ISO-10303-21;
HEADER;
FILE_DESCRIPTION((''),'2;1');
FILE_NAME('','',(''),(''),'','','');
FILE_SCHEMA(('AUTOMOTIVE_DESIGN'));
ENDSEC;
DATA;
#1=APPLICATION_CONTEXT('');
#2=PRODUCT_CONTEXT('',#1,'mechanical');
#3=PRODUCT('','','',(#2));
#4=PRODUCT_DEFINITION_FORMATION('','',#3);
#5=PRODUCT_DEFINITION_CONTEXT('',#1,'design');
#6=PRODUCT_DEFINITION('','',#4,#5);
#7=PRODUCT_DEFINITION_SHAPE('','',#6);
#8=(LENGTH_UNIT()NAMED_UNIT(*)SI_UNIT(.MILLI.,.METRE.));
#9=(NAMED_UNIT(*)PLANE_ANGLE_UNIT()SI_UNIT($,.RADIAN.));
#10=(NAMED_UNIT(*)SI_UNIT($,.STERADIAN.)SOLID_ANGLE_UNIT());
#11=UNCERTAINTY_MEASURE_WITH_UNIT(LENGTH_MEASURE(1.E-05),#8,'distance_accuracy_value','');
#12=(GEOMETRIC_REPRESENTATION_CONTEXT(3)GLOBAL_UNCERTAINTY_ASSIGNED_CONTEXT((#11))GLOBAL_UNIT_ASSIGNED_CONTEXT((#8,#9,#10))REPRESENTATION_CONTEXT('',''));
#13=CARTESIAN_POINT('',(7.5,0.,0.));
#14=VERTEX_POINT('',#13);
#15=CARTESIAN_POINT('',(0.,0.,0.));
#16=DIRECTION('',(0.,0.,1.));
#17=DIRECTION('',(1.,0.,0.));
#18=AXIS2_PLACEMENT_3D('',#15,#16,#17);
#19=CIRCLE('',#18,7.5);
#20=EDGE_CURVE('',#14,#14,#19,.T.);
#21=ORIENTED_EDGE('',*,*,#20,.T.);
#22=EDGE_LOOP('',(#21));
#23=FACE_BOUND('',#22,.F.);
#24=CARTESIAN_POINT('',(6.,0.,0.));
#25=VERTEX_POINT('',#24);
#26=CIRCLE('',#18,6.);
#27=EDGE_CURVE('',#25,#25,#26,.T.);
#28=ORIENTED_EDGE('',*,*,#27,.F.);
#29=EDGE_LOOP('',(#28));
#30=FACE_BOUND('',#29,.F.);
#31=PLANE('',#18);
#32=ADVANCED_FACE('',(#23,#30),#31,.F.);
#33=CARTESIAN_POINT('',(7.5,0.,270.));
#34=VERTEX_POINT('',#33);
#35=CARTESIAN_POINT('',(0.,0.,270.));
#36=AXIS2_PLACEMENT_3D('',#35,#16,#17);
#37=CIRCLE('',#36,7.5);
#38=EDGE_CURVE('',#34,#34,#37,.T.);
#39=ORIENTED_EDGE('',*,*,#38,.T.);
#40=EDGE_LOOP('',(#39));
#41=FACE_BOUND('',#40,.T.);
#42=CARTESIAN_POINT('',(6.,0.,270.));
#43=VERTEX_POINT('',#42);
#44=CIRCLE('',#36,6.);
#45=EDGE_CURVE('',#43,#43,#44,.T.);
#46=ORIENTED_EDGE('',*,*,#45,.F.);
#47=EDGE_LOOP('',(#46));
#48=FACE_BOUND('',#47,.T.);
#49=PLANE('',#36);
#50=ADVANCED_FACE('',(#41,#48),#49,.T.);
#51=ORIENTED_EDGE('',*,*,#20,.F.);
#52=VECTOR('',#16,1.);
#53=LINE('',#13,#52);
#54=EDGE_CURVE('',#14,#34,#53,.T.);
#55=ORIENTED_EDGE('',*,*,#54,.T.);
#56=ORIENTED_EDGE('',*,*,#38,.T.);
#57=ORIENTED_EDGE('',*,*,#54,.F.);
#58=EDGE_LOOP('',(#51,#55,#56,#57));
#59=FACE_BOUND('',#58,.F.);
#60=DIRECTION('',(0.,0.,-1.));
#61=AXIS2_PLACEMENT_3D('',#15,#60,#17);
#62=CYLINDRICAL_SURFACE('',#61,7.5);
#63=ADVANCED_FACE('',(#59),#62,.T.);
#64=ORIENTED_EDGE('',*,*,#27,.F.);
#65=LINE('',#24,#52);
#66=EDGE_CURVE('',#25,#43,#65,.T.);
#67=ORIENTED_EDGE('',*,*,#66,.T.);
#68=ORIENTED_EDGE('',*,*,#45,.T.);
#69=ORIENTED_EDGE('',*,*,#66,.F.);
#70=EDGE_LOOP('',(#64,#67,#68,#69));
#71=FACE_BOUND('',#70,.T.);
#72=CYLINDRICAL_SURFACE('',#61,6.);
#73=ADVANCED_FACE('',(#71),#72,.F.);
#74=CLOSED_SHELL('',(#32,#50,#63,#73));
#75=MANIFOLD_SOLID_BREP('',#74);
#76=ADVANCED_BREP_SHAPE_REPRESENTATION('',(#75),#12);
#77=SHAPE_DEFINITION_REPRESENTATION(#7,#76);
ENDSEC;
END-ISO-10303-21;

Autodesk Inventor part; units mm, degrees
ref_plane "YZ Plane" through (0, 0, 0) normal (1, 0, 0) x (0, 1, 0)
ref_plane "XZ Plane" through (0, 0, 0) normal (0, 1, 0) x (-1, 0, 0)
sketch "Sketch1" plane through (0, 0, 0) normal (0, 0, 1) x (1, 0, 0)
  circle A0 centre (0, 0) radius 7.5
  circle A1 centre (0, 0) radius 6
  dimension "d0" = 15
  dimension "d1" = 12
extrude "Extrusion1" add sketch "Sketch1" along normal blind 270
ref_plane "Work Plane1" through (0, 0, 135) normal (0, 0, 1) x (1, 0, 0)
properties part number "Prop Rod"
